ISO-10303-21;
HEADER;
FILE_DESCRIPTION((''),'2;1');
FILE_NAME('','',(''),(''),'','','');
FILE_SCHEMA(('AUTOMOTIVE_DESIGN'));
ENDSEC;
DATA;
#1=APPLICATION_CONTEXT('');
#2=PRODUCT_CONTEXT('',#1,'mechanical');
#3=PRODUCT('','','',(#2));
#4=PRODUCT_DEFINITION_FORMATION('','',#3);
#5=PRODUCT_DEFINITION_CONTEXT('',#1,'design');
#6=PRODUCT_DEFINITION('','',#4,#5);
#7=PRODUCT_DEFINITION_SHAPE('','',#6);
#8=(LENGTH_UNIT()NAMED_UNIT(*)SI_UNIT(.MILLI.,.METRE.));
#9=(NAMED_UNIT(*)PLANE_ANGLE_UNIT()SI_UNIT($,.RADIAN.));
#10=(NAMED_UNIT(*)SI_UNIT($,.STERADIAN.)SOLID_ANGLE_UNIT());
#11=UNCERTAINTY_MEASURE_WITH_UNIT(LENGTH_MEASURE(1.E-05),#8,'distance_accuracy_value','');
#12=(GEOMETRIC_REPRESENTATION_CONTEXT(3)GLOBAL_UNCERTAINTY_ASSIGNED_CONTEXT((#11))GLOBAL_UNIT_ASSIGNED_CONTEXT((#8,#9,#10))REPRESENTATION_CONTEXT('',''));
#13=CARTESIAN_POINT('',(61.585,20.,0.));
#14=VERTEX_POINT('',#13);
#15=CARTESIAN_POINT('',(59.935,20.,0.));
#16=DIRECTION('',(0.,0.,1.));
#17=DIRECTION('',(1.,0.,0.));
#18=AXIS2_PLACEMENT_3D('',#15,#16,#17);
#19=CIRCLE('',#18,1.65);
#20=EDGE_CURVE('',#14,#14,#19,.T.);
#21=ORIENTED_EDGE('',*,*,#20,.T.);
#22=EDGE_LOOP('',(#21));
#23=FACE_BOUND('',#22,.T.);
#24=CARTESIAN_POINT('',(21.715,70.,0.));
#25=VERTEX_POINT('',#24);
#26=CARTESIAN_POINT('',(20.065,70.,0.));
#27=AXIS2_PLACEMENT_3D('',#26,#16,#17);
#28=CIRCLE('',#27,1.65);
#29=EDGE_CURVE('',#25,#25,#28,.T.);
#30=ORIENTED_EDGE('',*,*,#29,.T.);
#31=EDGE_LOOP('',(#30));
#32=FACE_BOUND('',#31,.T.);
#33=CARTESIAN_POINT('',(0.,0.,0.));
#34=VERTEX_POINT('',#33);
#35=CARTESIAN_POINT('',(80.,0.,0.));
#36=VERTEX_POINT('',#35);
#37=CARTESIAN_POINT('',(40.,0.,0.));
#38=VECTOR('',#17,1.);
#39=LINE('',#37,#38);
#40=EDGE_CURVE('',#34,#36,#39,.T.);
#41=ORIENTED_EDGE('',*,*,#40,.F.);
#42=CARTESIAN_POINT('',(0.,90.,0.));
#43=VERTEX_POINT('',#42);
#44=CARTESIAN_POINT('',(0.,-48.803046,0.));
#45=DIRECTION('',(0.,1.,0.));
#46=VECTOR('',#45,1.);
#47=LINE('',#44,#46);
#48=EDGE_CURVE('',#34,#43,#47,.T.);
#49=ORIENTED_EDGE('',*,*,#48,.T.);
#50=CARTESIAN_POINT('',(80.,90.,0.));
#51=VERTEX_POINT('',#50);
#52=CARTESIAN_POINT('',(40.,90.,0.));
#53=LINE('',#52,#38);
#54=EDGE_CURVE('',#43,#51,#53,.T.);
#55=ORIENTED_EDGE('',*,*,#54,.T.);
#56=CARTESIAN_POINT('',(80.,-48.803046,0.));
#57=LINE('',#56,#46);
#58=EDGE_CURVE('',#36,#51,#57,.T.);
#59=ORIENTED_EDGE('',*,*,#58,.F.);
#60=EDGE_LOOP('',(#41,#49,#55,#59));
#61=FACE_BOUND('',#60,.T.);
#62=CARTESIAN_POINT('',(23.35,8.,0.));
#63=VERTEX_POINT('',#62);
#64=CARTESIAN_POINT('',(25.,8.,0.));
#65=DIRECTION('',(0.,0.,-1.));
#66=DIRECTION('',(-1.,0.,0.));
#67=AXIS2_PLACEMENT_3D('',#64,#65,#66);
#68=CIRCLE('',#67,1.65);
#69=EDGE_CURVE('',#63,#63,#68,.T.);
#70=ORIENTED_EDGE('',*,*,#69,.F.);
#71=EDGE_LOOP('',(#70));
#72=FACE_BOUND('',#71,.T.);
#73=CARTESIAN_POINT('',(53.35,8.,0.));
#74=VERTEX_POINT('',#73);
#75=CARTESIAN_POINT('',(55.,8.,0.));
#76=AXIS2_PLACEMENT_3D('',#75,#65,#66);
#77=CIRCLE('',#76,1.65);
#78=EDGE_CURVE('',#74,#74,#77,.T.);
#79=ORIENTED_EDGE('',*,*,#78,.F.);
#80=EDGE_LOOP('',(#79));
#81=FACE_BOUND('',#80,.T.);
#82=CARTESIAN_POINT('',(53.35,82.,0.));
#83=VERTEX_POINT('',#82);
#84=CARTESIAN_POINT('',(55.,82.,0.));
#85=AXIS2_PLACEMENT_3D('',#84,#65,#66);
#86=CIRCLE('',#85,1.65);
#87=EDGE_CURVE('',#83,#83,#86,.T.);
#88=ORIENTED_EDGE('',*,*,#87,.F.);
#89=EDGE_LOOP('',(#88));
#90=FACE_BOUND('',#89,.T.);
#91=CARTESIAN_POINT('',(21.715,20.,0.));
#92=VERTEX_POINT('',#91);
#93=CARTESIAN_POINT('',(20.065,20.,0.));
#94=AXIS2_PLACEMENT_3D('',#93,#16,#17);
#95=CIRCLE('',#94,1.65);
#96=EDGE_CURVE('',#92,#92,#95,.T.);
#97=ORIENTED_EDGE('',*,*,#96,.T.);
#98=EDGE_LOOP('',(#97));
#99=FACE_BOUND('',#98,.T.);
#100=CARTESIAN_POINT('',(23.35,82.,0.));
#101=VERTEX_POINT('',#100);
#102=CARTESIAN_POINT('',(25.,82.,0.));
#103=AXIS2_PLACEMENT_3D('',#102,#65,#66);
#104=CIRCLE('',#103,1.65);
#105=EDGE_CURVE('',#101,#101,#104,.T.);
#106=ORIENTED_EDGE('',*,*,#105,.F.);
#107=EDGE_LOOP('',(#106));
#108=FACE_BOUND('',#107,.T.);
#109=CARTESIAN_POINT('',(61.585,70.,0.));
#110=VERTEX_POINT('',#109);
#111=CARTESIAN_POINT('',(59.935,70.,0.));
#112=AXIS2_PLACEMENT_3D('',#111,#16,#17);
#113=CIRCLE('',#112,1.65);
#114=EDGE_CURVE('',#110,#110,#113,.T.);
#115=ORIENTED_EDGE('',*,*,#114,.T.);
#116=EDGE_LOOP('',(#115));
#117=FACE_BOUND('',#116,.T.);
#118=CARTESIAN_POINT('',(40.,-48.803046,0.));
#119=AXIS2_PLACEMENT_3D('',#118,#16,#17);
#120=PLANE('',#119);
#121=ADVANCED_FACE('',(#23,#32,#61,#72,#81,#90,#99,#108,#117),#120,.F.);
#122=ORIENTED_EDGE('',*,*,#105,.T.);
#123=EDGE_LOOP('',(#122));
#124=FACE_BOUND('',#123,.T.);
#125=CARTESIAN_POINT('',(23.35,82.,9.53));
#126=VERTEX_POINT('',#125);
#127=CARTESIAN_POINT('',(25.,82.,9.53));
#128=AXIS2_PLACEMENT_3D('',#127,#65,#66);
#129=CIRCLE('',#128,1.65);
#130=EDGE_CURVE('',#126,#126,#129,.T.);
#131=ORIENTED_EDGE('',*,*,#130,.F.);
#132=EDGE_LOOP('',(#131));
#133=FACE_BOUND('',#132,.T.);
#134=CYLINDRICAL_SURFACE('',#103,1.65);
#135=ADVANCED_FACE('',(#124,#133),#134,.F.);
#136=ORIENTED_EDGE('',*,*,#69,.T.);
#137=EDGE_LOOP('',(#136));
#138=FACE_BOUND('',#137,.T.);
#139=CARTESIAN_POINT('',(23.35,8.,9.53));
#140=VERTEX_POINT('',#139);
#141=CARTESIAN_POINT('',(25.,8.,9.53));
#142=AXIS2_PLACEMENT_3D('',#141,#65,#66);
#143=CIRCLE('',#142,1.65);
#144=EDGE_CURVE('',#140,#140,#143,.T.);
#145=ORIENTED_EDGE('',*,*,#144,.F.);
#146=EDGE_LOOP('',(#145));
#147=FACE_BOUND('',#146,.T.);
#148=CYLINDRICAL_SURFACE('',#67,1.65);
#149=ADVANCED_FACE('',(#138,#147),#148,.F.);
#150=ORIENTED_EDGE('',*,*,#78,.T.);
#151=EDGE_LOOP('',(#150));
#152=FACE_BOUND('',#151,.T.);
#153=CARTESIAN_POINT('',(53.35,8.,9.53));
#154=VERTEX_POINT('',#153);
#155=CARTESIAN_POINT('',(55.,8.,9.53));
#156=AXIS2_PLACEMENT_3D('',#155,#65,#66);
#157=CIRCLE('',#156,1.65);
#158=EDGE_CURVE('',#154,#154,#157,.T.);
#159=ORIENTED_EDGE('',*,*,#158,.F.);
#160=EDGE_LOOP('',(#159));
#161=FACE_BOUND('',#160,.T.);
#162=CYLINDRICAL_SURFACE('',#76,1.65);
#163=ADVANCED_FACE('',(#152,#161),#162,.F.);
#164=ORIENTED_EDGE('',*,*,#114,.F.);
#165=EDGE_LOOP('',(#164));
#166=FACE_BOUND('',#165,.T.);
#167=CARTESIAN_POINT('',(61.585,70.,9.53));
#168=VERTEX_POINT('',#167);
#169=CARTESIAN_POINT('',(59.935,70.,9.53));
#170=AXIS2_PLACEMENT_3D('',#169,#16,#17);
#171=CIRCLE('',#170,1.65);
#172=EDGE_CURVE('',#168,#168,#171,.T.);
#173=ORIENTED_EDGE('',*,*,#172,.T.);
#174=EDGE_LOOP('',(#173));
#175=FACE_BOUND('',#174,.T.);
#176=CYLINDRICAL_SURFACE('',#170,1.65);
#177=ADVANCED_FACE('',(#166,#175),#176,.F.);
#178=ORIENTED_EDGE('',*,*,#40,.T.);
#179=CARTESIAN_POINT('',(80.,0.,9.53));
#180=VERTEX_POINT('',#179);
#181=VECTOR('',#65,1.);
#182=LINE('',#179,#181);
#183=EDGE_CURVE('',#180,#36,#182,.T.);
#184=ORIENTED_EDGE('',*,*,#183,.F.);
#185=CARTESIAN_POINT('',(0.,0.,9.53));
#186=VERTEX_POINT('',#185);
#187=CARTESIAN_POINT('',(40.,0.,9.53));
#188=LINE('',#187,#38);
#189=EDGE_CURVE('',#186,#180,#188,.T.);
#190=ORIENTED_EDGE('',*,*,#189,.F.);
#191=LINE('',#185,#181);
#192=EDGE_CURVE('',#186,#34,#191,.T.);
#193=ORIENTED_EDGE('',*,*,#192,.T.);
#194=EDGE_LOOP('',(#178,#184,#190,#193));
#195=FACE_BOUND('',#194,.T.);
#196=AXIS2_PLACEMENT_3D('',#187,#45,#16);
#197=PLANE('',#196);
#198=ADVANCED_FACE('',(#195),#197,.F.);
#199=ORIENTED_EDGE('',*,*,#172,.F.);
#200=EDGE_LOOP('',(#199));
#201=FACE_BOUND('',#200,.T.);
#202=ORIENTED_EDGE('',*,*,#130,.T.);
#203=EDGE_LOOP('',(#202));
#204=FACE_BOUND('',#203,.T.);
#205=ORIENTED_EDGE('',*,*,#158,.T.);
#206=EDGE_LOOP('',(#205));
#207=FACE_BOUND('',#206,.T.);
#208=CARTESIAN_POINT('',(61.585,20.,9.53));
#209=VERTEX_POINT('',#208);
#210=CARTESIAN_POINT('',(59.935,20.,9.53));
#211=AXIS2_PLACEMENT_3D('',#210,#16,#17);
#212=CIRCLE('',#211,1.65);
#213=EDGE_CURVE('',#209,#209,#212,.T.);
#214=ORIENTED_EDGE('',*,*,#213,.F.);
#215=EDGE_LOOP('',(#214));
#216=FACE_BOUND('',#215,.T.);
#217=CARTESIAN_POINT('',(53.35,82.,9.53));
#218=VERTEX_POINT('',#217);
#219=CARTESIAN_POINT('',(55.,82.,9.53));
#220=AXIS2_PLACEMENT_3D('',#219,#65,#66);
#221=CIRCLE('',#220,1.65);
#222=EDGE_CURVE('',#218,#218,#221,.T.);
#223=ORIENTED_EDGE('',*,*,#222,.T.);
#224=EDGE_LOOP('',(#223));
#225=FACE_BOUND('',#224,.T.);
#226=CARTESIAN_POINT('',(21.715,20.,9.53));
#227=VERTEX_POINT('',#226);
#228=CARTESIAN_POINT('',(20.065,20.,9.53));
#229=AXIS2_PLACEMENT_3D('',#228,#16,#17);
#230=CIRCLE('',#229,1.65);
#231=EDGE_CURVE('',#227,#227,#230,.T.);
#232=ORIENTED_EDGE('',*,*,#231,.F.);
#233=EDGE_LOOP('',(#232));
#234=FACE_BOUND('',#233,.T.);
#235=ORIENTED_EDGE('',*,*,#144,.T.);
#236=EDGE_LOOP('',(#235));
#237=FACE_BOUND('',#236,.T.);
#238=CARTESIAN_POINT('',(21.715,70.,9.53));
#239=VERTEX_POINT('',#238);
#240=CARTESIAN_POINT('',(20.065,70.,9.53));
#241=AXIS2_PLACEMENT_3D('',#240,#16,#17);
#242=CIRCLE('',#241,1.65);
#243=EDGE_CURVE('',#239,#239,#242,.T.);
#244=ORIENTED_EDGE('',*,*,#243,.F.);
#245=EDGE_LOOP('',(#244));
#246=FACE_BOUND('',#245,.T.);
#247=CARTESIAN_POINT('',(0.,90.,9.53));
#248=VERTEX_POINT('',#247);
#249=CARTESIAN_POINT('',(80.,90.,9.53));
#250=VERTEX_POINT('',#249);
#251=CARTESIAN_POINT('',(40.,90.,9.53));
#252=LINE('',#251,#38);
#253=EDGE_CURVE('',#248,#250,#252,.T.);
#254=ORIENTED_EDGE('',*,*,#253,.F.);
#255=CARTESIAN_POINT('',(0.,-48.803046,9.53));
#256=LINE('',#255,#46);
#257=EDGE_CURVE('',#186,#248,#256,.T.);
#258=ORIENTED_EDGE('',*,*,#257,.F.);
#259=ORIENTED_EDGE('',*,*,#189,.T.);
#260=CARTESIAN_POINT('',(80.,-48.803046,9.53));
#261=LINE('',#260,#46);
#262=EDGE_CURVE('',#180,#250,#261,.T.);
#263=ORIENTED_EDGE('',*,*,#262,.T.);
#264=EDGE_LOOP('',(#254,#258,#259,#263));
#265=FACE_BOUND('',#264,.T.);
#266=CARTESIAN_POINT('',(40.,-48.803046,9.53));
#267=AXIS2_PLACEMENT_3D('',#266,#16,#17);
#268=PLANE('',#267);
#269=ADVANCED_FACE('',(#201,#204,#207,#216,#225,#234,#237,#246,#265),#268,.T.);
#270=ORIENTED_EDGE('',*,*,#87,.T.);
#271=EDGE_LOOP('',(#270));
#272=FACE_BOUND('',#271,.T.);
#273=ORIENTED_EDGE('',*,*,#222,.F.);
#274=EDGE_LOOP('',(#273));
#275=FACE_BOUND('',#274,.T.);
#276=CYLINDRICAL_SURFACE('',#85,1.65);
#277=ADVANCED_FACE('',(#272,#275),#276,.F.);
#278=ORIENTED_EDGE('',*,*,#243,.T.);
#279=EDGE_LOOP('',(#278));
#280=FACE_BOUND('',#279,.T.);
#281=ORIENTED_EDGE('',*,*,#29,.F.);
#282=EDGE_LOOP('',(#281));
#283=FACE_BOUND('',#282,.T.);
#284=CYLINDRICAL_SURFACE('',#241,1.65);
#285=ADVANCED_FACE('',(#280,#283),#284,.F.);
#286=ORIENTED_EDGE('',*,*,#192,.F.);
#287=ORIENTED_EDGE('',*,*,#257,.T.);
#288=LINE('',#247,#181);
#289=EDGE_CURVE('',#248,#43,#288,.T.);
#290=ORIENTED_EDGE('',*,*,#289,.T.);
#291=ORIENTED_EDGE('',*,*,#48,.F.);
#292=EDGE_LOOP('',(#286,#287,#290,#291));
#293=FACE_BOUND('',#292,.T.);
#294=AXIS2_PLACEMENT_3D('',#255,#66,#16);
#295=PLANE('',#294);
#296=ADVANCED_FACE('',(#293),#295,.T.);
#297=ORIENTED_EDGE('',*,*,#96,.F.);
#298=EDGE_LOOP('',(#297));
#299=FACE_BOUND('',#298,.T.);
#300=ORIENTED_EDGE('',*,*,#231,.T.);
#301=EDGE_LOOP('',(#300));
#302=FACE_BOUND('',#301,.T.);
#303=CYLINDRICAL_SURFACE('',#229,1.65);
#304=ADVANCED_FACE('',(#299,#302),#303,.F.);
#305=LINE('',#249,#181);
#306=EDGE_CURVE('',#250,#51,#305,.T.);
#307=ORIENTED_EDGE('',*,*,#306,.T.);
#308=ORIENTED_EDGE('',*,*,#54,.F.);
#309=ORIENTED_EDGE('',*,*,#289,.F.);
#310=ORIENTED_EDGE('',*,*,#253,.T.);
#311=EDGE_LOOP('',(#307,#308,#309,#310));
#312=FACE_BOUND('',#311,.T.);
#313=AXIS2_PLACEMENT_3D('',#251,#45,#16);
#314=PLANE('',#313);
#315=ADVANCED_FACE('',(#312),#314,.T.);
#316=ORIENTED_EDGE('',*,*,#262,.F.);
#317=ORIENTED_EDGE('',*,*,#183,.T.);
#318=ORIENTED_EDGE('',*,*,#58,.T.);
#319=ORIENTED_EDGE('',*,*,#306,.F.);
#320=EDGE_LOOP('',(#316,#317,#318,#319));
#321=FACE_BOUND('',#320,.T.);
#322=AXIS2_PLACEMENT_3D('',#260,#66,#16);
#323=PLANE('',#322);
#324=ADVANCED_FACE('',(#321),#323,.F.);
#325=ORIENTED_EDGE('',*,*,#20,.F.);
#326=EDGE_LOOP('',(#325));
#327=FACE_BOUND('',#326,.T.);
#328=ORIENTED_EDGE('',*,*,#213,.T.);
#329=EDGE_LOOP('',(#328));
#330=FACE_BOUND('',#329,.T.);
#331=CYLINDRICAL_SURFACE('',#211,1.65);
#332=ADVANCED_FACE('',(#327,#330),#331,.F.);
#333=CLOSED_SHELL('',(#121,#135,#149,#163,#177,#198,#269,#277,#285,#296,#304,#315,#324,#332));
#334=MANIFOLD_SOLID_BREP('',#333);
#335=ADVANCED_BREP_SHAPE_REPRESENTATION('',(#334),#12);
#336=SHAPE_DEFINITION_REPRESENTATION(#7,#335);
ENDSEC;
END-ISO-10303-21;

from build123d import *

# Parameters (mm, degrees)
SKETCH1_W             = 80
SKETCH1_H             = 90
SKETCH1_R             = 1.65
BOSS_EXTRUDE1_DEPTH   = 9.53
M4X0_7_TAPPED_HOLE1_D = 3.3
M4X0_7_TAPPED_HOLE2_D = 3.3


with BuildPart() as part:
    # Sketch1 → Boss-Extrude1 (new body)
    # profile 1 of 5: a face of its own
    with BuildSketch(Plane.XY):
        with Locations((40, 45)):
            Rectangle(SKETCH1_W, SKETCH1_H)
        with Locations((25, 82)):
            Circle(SKETCH1_R, mode=Mode.SUBTRACT)
        with Locations((55, 82)):
            Circle(SKETCH1_R, mode=Mode.SUBTRACT)
        with Locations((25, 8)):
            Circle(SKETCH1_R, mode=Mode.SUBTRACT)
        with Locations((55, 8)):
            Circle(SKETCH1_R, mode=Mode.SUBTRACT)
    # profile 2 of 5: a face of its own
    with BuildSketch(Plane.XY):
        with Locations((25, 8)):
            Circle(SKETCH1_R)
    # profile 3 of 5: a face of its own
    with BuildSketch(Plane.XY):
        with Locations((55, 8)):
            Circle(SKETCH1_R)
    # profile 4 of 5: a face of its own
    with BuildSketch(Plane.XY):
        with Locations((55, 82)):
            Circle(SKETCH1_R)
    # profile 5 of 5: a face of its own
    with BuildSketch(Plane.XY):
        with Locations((25, 82)):
            Circle(SKETCH1_R)
    extrude(amount=BOSS_EXTRUDE1_DEPTH)

    # M4x0.7 Tapped Hole1 (through all)
    with Locations(Plane(origin=(20.065, 70, 9.53), x_dir=(1, 0, 0), z_dir=(0, 0, 1))):
        with Locations((0, 0), (39.87, 0), (39.87, -50), (0, -50)):
            Hole(M4X0_7_TAPPED_HOLE1_D / 2)

    # M4x0.7 Tapped Hole2 (through all)
    with Locations(Plane(origin=(55, 8, 0), x_dir=(-1, 0, 0), z_dir=(0, 0, -1))):
        with Locations((0, 0), (30, 0), (30, 74), (0, 74)):
            Hole(M4X0_7_TAPPED_HOLE2_D / 2)


solid = part.part
